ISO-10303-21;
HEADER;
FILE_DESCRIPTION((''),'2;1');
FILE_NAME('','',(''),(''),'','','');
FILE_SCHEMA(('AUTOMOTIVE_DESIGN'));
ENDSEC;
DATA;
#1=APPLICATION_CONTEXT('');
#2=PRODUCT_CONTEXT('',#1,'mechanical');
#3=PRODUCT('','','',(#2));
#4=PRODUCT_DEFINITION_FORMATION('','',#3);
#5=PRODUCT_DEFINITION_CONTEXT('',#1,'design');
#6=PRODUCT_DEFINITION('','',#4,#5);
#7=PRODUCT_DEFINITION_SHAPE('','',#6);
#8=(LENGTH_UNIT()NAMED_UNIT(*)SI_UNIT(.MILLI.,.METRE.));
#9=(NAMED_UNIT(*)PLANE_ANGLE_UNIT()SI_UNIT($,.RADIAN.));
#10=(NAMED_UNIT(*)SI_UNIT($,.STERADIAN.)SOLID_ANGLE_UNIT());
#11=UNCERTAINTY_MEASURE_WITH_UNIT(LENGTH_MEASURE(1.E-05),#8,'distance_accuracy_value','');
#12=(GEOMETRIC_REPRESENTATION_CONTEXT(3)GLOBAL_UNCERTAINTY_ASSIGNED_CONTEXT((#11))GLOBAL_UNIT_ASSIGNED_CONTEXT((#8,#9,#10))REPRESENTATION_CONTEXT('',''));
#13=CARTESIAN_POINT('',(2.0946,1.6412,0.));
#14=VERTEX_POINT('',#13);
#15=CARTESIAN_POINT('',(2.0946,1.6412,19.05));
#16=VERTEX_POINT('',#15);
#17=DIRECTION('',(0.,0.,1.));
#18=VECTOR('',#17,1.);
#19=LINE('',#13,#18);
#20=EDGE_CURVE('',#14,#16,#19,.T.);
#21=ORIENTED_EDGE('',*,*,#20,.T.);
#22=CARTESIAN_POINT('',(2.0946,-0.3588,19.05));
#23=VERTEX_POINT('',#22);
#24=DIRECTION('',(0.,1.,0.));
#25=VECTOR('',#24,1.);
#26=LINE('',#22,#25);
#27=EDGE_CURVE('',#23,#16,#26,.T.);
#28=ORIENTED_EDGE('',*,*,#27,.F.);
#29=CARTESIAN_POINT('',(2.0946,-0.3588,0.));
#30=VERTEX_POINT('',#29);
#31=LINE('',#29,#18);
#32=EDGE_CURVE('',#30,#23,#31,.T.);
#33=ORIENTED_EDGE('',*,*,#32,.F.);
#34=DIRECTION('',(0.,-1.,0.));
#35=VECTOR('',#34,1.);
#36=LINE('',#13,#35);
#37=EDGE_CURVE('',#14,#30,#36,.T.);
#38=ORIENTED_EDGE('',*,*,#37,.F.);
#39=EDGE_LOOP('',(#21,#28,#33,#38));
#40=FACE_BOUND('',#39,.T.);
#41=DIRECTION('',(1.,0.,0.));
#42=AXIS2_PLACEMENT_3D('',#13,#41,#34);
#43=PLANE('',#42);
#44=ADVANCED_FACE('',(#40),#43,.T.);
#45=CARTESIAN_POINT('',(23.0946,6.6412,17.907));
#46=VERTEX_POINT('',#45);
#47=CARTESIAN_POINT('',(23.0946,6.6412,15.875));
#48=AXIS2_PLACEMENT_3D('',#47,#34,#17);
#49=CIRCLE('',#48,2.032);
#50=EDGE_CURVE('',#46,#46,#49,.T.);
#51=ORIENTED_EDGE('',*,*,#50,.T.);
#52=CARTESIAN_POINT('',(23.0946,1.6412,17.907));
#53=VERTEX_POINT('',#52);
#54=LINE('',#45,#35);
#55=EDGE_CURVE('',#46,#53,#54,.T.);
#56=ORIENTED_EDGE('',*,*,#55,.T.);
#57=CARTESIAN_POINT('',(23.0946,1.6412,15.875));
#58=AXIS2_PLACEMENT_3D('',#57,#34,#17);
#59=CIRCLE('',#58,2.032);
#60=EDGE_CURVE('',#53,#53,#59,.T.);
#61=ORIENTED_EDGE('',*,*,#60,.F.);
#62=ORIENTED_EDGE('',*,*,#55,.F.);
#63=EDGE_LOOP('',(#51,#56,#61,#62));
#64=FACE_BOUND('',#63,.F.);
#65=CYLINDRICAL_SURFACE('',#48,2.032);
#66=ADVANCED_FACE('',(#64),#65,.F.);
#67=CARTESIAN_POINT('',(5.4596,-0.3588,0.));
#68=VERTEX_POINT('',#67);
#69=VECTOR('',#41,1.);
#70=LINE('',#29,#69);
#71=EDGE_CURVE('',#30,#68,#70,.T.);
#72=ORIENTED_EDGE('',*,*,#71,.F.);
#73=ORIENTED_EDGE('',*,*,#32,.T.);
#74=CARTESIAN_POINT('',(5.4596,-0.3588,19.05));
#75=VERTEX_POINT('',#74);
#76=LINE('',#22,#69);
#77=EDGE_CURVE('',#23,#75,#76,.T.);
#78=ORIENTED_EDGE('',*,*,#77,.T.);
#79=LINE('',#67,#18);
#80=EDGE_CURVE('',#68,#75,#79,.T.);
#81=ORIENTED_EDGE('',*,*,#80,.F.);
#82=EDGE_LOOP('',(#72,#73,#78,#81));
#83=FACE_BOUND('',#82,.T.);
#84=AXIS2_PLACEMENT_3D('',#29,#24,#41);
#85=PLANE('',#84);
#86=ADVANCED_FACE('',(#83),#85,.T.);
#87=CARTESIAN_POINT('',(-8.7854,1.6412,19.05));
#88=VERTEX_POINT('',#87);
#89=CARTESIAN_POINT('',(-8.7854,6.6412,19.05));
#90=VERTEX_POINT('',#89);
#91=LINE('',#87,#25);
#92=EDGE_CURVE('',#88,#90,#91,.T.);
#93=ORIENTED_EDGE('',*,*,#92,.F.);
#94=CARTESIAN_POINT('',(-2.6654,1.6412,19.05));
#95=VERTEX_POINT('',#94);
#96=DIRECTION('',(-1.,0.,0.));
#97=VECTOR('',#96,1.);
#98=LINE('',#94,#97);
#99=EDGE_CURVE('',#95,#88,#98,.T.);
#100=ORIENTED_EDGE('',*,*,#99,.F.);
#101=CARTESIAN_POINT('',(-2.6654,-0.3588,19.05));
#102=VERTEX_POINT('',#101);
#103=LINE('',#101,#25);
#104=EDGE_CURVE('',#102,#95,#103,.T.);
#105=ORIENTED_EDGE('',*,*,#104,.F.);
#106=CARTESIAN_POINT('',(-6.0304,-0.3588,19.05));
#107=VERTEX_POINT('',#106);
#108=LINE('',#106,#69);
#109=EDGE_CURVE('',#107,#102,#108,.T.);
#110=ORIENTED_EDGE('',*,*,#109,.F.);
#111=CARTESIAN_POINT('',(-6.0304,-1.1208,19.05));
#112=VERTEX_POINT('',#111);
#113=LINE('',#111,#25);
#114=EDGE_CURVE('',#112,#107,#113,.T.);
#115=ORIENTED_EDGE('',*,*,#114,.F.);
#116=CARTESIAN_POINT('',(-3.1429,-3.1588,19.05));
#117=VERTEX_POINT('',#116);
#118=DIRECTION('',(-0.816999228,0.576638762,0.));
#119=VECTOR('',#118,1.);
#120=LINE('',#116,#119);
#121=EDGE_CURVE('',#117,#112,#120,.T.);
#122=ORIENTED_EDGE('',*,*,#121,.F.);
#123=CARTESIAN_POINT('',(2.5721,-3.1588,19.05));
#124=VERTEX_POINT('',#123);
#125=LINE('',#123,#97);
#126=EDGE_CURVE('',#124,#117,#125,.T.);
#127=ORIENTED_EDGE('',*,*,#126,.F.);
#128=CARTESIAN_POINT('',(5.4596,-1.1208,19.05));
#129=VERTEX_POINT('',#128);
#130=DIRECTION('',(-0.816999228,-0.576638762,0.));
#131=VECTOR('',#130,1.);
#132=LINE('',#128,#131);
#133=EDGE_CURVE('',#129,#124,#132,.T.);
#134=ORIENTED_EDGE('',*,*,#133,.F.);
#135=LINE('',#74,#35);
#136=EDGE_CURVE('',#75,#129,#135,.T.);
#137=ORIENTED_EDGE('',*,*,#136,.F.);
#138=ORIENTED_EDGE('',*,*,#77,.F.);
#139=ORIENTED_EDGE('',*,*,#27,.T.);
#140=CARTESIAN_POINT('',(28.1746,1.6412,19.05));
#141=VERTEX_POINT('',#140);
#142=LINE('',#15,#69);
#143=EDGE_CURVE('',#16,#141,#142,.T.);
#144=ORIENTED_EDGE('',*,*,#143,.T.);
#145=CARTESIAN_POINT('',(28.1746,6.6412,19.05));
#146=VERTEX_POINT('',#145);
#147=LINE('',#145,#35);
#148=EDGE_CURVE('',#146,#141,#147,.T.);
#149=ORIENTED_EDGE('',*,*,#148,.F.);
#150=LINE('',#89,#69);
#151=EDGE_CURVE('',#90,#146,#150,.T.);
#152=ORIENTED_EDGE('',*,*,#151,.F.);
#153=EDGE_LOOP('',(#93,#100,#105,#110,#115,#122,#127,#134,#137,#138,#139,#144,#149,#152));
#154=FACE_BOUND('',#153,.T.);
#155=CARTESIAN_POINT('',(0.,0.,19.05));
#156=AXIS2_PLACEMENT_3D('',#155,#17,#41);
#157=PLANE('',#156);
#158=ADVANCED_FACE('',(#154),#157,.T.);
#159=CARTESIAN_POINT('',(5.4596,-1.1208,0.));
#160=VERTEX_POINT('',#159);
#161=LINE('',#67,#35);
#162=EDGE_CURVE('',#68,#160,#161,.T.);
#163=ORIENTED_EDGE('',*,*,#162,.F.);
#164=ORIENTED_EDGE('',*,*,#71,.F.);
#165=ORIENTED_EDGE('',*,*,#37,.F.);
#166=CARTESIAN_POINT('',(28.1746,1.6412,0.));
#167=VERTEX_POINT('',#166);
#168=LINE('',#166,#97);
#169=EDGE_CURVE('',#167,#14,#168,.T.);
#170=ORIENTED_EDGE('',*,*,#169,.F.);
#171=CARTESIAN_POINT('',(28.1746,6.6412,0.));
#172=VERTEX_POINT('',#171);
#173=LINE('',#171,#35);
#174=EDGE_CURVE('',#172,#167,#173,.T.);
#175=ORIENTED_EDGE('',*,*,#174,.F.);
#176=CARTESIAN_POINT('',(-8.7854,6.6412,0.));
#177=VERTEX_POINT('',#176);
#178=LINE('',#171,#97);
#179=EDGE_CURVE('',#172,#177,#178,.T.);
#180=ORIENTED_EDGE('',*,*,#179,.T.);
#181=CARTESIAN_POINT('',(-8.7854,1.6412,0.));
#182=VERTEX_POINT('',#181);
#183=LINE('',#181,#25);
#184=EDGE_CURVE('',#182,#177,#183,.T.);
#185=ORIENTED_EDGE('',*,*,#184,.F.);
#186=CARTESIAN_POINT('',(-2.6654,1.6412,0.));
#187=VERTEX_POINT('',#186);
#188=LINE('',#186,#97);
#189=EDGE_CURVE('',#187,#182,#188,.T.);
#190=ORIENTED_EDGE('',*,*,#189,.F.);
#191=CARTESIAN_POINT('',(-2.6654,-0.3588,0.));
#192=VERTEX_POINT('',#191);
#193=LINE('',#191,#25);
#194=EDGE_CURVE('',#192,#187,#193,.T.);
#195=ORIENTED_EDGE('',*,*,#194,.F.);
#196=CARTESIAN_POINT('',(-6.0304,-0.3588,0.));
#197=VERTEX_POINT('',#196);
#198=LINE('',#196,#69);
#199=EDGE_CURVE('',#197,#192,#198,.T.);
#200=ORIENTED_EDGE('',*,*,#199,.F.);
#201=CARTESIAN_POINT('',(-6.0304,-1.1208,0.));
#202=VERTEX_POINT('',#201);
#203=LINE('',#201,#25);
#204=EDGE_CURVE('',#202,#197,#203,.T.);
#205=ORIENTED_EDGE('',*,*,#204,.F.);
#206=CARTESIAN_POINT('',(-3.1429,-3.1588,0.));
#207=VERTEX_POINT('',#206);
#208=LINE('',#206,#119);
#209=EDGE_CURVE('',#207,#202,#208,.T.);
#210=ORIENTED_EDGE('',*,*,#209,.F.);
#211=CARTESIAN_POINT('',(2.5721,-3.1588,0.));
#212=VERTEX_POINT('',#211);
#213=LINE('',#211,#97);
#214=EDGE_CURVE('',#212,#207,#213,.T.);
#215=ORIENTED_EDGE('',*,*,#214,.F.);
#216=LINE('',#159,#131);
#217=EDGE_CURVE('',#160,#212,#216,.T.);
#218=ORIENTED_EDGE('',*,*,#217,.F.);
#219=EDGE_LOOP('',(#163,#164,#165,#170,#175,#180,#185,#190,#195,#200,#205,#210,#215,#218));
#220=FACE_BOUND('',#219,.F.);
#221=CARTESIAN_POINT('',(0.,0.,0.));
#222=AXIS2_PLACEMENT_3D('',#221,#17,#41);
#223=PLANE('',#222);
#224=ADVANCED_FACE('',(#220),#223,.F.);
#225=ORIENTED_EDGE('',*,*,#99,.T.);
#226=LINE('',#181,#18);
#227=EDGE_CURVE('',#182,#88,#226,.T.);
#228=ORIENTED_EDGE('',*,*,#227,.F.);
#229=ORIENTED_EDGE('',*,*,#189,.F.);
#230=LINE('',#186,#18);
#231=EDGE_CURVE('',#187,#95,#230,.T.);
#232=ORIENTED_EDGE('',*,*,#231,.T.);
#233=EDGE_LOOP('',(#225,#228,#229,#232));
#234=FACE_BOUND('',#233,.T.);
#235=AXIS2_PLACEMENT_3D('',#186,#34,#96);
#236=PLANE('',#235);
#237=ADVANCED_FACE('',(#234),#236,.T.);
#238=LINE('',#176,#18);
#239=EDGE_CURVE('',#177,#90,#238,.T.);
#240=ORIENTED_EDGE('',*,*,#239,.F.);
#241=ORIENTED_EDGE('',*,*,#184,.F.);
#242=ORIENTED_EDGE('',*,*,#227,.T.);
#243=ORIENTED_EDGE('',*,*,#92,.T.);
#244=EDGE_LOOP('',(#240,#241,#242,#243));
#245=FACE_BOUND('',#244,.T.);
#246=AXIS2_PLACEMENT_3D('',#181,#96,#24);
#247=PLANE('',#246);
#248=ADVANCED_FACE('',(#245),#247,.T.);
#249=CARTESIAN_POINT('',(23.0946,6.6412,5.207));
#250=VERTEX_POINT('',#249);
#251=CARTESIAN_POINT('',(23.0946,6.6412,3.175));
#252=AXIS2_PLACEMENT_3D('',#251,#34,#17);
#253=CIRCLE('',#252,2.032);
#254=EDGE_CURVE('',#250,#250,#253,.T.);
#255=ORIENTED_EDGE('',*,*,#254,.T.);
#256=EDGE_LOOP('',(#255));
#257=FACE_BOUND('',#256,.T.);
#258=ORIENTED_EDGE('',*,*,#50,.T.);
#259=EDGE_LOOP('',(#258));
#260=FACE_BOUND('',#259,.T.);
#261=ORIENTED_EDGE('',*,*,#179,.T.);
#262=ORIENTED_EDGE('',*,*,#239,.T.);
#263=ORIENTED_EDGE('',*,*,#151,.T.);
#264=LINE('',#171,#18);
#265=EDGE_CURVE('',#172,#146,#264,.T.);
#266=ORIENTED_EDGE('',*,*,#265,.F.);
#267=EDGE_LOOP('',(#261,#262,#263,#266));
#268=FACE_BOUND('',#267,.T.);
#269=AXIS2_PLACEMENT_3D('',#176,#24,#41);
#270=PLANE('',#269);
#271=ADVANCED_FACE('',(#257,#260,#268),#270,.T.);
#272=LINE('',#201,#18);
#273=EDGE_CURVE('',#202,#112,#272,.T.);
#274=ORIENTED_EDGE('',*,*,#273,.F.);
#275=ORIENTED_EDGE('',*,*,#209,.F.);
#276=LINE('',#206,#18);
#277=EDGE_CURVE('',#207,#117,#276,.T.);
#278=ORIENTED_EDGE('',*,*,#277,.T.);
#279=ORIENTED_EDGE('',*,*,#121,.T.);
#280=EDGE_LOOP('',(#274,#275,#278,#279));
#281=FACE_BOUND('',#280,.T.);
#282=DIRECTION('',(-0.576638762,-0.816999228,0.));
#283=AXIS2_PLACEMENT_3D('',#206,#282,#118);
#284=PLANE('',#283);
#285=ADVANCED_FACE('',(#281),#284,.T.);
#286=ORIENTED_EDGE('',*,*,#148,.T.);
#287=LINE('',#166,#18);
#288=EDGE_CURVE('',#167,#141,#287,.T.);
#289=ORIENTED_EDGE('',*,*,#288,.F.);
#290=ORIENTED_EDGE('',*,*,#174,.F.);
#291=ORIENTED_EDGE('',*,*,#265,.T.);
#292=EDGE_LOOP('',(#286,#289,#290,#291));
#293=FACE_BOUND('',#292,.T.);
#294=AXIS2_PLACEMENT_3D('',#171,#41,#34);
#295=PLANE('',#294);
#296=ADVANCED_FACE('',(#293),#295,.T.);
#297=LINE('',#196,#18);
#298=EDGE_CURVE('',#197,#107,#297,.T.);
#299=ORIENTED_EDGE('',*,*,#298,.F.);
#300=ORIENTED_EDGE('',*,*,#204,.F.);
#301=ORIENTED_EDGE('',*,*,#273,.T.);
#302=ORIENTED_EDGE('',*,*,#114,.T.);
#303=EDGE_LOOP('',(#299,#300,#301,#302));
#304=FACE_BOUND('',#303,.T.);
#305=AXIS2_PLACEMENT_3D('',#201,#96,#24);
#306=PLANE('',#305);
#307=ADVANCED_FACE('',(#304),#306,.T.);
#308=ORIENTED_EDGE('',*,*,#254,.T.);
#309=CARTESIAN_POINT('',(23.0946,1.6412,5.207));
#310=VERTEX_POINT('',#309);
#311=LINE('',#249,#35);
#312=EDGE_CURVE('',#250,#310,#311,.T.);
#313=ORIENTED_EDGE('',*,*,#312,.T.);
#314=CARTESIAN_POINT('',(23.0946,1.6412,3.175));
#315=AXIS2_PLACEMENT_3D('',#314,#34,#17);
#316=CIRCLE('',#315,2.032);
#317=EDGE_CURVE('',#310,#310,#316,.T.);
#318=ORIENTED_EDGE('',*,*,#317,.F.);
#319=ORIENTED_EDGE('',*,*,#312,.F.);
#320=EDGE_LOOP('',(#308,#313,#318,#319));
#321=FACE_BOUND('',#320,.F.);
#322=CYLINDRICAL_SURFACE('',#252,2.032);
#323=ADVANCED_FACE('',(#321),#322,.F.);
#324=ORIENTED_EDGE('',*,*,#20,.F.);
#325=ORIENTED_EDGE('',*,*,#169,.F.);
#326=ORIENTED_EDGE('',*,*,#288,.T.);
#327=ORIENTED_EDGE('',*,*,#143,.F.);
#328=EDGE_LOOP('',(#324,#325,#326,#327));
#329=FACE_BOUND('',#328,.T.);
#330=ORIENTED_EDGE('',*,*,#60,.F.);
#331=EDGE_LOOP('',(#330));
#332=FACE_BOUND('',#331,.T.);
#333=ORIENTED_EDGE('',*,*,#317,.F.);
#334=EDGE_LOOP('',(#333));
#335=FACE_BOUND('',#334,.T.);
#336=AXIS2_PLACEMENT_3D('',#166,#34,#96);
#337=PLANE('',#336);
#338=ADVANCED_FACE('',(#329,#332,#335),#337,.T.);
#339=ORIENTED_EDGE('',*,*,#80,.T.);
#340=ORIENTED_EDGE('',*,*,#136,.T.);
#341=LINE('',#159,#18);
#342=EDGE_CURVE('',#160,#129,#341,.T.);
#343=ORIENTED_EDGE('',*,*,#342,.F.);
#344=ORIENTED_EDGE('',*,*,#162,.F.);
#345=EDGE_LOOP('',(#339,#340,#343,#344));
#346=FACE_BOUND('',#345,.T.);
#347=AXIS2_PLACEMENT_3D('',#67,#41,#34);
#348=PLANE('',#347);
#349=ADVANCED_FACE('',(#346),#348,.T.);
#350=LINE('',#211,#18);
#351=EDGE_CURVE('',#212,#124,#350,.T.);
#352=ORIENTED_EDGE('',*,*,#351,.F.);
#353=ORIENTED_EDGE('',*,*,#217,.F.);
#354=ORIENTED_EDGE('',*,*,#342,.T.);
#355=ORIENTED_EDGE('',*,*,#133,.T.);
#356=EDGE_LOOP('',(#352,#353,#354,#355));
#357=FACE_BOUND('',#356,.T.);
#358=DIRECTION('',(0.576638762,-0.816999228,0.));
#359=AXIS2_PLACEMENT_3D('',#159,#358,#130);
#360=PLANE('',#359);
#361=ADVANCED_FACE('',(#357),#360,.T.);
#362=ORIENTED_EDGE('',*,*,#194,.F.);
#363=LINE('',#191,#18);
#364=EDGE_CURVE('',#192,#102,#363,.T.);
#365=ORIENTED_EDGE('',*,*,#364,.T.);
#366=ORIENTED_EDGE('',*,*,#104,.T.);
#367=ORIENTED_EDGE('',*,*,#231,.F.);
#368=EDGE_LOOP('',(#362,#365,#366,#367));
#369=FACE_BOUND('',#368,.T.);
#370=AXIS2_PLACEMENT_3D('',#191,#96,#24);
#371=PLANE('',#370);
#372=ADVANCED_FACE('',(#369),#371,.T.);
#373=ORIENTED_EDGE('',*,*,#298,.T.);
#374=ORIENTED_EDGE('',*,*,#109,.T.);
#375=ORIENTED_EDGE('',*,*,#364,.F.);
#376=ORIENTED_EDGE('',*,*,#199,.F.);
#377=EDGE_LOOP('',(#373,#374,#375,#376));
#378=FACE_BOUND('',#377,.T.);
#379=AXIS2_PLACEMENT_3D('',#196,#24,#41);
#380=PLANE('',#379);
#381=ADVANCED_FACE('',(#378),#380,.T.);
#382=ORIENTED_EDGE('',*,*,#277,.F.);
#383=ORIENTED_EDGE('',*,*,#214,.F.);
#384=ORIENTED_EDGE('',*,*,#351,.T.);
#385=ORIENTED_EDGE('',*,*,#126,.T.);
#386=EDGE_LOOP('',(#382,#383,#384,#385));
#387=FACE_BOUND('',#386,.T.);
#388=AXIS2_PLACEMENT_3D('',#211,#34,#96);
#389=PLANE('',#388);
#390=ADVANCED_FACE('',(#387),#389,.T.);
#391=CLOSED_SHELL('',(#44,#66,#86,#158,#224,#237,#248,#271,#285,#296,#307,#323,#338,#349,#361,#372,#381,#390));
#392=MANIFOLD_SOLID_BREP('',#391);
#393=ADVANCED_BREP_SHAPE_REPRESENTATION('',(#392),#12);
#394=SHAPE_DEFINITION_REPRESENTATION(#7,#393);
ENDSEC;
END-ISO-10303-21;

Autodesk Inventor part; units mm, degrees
ref_plane "YZ Plane" through (0, 0, 0) normal (1, 0, 0) x (0, 1, 0)
ref_plane "XZ Plane" through (0, 0, 0) normal (0, 1, 0) x (-1, 0, 0)
ref_plane "XY Plane" through (0, 0, 0) normal (0, 0, 1) x (1, 0, 0)
sketch "Sketch1" plane through (0, 0, 0) normal (0, 0, 1) x (1, 0, 0)
  line L0 (0, 0) -> (14.5304, 0)
  line L1 (-8.7854, 6.6412) -> (8.2146, 6.6412)
  line L2 (8.2146, 1.6412) -> (2.0946, 1.6412)
  line L3 (2.0946, 1.6412) -> (2.0946, -0.3588)
  line L4 (2.0946, -0.3588) -> (5.4596, -0.3588)
  line L5 (2.5721, -3.1588) -> (-3.1429, -3.1588)
  line L6 (-3.1429, -3.1588) -> (-6.0304, -1.1208)
  line L7 (-6.0304, -1.1208) -> (-6.0304, -0.3588)
  line L8 (-6.0304, -0.3588) -> (-2.6654, -0.3588)
  line L9 (-2.6654, -0.3588) -> (-2.6654, 1.6412)
  line L10 (-2.6654, 1.6412) -> (-8.7854, 1.6412)
  line L11 (-8.7854, 1.6412) -> (-8.7854, 6.6412)
  line L12 (5.4596, -0.3588) -> (5.4596, -1.1208)
  line L13 (5.4596, -1.1208) -> (2.5721, -3.1588)
  line L14 (8.2146, 6.6412) -> (28.1746, 6.6412)
  line L15 (28.1746, 6.6412) -> (28.1746, 1.6412)
  line L16 (28.1746, 1.6412) -> (8.2146, 1.6412)
  dimension "d2" = 5
  dimension "d3" = 2
  dimension "d4" = 4.76
  dimension "d6" = 11.49
  dimension "d7" = 2.755
  dimension "d8" = 5.715
  dimension "d9" = 5.6425
  dimension "d10" = 6.12
  dimension "d11" = 0.762
  dimension "d12" = 0.762
  dimension "d16" = 26.08
  dimension "d50" = 144.786
  dimension "d51" = 2.8875
extrude "Extrusion1" add sketch "Sketch1" along normal blind 19.05
sketch "Sketch3" plane through (-8.7854, 6.6412, 0) normal (0, 1, 0) x (1, 0, 0)
  line L0 (36.96, 0) -> (36.96, -19.05) projected
  line L1 (0, 0) -> (36.96, 0) projected
  line L2 (36.96, -19.05) -> (0, -19.05) projected
  point P0 (8.7854, 0)
  point P1 (31.88, -15.875)
  point P2 (31.88, -3.175)
  dimension "d27" = 5.08
  dimension "d28" = 5.08
  dimension "d36" = 3.175
  dimension "d37" = 3.175
hole "Hole1" at (23.0946, 6.6412, 15.875) at (23.0946, 6.6412, 3.175) direction (0, -1, 0) diameter 4.064 depth 25.4 tip angle 118
equation "\"d7\" = -0.5 * d6 + 0.5 * d0"
equation "\"d9\" = -0.5 * d8 + 0.5 * d0"
equation "\"d10\" = -0.5 * d4 + 0.5 * d0"
equation "\"d12\" = d11"
equation "\"d37\" = d36"
equation "\"d0\" = 17"
properties part number "Sliderfor2020"
